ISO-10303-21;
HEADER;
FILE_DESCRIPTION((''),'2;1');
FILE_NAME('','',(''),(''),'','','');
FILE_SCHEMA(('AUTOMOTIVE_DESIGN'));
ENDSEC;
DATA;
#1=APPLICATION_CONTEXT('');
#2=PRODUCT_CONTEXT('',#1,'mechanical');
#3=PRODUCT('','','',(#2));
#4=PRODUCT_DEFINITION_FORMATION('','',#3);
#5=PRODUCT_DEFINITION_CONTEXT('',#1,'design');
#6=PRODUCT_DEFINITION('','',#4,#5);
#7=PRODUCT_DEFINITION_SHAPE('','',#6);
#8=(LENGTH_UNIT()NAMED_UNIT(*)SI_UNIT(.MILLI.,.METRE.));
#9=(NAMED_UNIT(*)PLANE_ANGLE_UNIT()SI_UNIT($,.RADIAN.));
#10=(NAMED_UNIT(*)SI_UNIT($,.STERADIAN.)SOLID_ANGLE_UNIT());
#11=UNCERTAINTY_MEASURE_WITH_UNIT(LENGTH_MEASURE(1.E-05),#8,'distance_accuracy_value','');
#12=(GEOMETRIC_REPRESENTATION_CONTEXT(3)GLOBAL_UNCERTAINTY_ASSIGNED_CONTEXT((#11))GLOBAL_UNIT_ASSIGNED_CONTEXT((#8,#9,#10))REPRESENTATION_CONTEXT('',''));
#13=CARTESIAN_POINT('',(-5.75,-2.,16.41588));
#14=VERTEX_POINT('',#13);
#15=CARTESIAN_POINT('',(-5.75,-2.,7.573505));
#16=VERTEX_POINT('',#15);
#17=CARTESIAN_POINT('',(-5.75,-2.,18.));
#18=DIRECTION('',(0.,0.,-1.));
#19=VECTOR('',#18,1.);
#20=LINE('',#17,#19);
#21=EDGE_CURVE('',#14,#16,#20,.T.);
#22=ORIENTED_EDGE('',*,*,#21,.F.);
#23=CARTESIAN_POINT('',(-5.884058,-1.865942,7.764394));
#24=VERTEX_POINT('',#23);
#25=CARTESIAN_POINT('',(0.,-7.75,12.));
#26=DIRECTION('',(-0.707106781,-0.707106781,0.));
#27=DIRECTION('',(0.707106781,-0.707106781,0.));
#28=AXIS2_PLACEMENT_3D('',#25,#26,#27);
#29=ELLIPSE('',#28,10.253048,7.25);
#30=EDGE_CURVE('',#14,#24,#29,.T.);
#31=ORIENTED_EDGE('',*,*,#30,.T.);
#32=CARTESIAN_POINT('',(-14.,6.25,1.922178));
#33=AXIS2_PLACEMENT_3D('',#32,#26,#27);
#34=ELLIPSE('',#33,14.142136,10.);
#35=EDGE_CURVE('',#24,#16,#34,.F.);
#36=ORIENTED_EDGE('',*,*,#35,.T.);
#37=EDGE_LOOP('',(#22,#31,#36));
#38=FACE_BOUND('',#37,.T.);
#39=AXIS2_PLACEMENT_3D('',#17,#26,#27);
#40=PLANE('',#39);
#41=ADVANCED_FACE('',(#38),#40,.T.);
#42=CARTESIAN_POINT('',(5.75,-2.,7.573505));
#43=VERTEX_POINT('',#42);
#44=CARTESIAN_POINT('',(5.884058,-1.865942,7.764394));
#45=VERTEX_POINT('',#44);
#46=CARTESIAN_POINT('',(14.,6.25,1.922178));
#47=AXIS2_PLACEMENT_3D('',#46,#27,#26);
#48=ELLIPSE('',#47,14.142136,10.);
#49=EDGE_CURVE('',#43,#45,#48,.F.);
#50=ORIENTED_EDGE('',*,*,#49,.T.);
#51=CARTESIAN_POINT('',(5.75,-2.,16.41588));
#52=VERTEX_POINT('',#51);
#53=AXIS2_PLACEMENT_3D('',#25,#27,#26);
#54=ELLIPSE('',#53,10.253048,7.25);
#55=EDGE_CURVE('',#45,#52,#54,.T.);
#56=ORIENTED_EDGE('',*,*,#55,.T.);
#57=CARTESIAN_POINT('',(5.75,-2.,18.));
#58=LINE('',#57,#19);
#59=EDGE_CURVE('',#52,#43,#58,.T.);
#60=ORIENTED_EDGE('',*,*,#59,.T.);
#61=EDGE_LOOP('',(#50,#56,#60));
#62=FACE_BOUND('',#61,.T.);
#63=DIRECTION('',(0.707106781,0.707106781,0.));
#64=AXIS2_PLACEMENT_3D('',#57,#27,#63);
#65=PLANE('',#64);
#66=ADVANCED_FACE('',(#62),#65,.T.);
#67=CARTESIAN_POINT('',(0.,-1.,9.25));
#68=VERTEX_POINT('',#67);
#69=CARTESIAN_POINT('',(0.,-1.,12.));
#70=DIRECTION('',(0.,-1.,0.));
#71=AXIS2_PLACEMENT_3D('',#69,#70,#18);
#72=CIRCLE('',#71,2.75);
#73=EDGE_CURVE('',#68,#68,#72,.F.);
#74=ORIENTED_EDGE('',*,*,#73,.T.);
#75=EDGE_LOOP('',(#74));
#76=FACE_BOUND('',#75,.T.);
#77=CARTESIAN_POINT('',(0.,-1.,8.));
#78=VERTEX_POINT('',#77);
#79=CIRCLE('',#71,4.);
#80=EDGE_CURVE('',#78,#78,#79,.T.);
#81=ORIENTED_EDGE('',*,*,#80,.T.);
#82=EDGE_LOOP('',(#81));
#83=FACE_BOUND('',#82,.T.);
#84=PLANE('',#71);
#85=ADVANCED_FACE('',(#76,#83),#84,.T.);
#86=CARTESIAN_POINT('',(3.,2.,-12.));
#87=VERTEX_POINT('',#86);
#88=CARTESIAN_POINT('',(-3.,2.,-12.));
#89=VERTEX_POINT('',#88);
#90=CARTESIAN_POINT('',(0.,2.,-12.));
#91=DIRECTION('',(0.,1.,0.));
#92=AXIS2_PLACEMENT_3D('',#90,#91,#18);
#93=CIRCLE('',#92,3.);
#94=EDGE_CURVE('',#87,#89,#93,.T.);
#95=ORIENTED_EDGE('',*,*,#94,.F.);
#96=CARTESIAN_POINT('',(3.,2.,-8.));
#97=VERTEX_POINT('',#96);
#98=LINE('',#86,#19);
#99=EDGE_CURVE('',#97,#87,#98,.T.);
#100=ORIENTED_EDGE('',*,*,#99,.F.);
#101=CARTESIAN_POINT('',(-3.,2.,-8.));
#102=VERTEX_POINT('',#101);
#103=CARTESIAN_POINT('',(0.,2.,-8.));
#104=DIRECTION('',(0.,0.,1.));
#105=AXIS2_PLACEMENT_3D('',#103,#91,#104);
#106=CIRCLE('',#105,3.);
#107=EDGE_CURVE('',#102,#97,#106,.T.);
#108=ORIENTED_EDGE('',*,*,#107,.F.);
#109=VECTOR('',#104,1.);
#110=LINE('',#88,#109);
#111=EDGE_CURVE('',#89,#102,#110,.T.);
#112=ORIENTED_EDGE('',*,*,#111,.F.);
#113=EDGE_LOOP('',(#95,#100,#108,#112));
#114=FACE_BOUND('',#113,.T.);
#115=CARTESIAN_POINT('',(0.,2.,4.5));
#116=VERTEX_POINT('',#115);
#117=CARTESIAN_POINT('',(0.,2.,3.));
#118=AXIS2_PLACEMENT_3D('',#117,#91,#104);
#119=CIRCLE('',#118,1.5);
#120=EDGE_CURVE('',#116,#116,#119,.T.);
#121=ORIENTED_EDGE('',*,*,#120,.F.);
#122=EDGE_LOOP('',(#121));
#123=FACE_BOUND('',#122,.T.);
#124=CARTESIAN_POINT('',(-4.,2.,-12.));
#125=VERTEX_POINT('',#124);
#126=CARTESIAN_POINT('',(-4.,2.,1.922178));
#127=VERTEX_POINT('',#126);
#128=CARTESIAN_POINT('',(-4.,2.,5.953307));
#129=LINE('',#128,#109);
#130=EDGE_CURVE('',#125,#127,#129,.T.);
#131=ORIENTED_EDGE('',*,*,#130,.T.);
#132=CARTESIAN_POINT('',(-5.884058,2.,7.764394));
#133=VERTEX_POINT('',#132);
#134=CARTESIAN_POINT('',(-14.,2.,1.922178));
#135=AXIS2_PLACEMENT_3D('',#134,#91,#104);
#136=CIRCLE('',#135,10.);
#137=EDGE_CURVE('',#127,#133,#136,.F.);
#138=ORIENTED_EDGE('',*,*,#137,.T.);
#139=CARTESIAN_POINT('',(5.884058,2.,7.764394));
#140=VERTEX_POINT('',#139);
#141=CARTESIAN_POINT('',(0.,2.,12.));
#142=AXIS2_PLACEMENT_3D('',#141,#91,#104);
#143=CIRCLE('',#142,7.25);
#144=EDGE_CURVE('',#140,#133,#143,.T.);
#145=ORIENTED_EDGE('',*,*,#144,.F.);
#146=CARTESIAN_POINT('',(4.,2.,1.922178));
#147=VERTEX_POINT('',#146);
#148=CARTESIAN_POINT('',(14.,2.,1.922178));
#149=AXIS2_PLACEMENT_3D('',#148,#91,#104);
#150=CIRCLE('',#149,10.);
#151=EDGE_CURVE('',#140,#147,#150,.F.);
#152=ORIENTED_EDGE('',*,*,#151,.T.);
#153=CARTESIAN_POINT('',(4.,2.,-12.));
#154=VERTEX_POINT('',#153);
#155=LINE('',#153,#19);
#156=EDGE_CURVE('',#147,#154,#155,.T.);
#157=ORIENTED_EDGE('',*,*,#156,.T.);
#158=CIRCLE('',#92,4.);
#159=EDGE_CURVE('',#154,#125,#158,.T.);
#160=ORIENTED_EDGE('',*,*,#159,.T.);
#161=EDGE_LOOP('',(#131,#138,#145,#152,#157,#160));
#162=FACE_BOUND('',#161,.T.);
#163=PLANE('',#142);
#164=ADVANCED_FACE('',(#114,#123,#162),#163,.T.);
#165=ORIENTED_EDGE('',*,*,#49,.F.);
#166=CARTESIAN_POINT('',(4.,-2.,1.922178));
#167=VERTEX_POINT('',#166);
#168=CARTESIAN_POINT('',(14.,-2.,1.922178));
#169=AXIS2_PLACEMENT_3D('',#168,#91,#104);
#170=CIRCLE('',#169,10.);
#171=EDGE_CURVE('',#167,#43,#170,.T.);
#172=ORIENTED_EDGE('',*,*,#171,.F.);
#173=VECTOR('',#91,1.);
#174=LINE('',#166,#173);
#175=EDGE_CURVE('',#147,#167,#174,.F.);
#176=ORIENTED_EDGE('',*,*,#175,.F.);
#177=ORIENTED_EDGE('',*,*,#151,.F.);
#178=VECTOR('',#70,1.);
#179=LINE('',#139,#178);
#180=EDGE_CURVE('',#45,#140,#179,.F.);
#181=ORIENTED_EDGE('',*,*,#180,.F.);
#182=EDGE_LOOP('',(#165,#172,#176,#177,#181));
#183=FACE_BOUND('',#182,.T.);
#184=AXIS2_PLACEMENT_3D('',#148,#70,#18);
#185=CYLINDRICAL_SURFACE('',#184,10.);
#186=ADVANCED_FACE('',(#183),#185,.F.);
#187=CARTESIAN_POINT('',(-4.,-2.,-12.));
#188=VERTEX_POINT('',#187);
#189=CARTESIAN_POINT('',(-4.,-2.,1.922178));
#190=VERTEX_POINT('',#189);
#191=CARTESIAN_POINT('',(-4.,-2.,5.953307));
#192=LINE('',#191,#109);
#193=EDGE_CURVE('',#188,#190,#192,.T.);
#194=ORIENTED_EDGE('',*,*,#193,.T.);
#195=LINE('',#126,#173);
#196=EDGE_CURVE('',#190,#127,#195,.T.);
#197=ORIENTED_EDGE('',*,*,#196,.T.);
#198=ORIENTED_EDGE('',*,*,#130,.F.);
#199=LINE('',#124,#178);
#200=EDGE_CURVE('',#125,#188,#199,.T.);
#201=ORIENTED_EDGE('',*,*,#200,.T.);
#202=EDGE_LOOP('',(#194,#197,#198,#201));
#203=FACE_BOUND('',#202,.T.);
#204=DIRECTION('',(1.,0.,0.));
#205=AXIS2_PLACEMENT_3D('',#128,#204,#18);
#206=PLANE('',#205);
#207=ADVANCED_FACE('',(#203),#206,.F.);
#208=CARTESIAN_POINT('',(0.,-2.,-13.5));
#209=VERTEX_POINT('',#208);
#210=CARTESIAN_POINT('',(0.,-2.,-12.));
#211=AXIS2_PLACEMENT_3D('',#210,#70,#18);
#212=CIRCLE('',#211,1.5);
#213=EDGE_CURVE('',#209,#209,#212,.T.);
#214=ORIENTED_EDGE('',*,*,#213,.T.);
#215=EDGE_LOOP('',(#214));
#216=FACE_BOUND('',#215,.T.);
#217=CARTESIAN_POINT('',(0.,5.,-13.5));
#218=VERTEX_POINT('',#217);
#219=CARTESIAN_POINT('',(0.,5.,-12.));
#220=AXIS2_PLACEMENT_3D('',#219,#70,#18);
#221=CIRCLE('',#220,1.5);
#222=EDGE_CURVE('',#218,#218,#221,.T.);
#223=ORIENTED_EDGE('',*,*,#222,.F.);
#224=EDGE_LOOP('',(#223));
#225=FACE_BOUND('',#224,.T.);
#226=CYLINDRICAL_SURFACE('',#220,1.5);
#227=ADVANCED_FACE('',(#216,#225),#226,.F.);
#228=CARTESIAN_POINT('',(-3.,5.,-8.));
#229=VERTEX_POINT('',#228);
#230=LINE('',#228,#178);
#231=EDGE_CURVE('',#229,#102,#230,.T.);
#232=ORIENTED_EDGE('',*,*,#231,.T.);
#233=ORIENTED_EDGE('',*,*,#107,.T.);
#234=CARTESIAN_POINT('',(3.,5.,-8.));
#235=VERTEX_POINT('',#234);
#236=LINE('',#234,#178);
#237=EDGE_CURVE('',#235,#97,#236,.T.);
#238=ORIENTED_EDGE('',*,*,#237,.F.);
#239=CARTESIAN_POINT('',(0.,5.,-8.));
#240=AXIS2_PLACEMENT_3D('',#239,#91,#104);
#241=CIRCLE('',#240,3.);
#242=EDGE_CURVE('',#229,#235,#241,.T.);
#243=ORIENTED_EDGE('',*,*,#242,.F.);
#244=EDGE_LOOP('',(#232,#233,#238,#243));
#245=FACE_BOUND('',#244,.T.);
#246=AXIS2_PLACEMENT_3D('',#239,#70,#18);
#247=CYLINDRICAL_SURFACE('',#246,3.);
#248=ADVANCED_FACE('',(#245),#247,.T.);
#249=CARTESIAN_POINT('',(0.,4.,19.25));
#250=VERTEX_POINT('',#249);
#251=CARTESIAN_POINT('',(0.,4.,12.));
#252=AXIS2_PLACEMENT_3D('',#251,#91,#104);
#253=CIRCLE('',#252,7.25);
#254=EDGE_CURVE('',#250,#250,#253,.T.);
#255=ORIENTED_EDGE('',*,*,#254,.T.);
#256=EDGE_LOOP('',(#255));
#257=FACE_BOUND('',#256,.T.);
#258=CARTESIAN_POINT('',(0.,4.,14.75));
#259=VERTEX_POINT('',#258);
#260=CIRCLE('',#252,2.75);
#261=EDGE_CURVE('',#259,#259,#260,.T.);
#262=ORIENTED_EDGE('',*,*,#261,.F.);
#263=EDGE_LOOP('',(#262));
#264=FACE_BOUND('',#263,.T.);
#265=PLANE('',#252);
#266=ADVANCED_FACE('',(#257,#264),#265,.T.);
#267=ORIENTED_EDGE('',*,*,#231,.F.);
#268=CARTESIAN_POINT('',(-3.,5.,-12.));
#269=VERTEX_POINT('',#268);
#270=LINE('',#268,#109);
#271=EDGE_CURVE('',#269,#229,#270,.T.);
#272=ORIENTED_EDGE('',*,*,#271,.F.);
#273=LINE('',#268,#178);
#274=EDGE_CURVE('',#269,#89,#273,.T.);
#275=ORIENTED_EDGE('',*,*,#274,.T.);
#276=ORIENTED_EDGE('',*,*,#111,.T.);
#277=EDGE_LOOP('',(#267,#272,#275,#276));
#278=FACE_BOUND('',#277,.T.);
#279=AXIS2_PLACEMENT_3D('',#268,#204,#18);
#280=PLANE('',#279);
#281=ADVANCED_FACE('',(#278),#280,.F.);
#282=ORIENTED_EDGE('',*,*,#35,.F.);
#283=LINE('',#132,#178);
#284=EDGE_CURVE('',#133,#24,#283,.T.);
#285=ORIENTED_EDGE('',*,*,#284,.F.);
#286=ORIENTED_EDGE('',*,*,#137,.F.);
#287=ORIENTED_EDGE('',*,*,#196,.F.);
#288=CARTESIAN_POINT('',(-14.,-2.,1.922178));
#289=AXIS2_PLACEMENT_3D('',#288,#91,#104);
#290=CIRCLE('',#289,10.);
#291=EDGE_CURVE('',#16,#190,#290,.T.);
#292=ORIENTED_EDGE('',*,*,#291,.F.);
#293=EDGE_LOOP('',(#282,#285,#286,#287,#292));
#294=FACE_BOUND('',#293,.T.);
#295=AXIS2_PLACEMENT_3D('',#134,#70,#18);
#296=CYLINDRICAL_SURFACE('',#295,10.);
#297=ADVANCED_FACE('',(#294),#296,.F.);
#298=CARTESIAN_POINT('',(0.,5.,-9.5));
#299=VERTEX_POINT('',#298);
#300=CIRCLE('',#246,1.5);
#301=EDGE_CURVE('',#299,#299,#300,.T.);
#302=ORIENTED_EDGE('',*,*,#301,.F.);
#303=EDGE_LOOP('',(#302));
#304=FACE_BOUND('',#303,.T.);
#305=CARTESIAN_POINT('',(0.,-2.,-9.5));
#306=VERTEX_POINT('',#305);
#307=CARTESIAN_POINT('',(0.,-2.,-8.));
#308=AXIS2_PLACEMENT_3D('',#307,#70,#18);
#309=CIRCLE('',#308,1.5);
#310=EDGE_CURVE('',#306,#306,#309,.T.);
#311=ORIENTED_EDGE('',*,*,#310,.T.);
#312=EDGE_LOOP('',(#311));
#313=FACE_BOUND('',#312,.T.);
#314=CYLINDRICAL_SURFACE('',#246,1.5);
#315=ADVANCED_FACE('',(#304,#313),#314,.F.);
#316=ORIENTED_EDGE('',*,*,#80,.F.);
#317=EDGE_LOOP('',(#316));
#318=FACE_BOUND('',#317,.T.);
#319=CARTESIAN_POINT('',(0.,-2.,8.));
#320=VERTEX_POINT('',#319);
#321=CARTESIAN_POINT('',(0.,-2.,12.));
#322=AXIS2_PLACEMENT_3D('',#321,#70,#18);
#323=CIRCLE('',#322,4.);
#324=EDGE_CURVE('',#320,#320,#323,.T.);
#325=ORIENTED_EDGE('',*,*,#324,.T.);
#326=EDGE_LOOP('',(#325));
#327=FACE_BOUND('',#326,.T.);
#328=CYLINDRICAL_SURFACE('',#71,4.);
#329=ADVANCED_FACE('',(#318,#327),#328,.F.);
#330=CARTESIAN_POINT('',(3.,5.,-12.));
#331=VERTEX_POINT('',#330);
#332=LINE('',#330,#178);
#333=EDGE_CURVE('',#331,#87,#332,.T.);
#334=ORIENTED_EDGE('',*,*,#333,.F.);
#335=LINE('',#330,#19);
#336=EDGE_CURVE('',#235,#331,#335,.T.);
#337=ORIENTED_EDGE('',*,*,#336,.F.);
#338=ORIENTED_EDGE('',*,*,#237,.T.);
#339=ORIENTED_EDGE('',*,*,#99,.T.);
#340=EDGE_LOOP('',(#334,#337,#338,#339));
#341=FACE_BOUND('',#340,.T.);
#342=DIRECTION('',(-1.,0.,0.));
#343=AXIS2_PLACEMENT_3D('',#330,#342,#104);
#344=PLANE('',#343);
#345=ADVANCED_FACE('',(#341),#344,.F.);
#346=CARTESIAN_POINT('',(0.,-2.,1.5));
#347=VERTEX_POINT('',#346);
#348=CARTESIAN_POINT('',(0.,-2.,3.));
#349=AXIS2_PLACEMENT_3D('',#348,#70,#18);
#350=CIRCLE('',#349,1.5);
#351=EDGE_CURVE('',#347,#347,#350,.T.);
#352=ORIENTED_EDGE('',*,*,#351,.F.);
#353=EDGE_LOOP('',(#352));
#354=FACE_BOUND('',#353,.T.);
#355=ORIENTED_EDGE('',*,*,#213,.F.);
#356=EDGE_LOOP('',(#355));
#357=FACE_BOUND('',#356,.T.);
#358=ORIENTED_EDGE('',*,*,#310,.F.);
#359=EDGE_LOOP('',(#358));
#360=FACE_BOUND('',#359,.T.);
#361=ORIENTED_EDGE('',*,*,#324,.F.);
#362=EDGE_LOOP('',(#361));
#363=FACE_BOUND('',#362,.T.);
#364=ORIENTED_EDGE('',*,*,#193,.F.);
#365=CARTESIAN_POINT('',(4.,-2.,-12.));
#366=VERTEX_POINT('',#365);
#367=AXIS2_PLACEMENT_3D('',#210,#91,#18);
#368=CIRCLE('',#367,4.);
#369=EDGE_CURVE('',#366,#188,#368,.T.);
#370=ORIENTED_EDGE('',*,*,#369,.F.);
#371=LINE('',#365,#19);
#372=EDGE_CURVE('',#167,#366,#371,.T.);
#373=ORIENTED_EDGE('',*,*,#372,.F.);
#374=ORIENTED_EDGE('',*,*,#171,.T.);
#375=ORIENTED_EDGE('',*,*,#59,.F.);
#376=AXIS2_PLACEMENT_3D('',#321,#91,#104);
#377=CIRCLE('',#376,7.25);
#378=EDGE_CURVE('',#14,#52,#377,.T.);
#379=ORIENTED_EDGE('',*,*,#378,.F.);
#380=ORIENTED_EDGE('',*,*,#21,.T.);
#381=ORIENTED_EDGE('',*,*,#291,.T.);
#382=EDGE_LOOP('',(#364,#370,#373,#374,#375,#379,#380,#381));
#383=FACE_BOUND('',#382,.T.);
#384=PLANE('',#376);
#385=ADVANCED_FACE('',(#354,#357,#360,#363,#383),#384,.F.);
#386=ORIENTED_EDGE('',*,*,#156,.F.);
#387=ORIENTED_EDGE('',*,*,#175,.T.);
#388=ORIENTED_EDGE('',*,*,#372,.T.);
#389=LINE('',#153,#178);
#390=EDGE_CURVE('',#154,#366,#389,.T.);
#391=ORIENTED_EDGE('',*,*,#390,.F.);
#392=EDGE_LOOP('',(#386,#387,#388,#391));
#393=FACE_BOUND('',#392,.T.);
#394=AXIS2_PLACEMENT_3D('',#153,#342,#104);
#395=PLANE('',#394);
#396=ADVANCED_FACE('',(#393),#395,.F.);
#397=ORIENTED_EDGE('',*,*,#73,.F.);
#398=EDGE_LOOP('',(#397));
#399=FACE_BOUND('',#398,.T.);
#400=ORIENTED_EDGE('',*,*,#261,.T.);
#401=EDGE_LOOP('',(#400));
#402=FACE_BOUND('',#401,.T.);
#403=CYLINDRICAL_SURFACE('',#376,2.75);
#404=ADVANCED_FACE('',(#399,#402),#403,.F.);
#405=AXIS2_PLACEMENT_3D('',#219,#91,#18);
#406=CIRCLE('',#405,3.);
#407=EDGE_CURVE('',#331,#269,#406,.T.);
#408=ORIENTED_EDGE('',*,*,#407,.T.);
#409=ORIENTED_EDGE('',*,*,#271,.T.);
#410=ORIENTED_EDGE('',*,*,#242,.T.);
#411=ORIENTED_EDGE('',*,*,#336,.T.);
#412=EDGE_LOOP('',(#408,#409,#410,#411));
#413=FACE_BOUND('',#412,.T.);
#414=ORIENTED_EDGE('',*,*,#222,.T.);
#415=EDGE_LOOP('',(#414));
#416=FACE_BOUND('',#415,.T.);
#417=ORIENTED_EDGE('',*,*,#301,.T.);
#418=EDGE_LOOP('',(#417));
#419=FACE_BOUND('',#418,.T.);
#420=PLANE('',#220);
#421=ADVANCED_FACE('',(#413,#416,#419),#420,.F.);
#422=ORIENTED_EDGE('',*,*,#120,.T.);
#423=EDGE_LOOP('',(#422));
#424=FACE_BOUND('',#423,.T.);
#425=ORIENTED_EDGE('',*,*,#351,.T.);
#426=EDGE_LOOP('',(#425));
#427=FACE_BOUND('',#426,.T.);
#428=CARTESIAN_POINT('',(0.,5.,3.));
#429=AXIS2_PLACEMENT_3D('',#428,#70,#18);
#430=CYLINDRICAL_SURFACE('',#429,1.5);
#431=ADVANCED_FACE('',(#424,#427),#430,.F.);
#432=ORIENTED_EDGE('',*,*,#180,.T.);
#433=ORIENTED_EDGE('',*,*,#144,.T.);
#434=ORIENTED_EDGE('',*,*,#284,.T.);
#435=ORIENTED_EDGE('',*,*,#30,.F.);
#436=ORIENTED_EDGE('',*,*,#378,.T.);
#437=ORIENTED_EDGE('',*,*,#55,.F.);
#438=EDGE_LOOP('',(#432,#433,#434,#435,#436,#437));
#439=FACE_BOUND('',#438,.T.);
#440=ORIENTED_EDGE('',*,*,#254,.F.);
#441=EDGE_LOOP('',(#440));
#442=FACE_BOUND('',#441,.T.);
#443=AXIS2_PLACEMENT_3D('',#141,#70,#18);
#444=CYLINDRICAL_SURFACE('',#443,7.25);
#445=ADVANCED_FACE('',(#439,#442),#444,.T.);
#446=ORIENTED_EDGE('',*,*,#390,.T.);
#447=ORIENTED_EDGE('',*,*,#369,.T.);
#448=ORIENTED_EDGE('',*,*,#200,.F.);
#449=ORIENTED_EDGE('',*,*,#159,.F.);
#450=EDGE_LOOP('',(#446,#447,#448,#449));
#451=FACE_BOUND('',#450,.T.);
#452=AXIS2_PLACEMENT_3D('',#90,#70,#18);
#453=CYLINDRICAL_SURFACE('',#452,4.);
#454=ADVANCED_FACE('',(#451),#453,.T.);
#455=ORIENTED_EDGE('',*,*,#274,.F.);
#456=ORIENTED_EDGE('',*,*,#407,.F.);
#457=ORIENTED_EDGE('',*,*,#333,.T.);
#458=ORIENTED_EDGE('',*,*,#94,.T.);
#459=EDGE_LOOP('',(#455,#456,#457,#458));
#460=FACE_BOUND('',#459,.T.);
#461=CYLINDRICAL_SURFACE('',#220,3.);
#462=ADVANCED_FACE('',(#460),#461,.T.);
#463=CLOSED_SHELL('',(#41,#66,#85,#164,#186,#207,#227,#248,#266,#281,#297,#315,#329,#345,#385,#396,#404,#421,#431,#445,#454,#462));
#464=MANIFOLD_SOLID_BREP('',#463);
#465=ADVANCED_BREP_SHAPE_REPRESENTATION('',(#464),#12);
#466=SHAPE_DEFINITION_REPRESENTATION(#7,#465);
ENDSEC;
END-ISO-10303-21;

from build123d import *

# Parameters (mm, degrees)
BOSS_EXTRUDE1_DEPTH = 2
BOSS_EXTRUDE2_START = 2
SKETCH2_R           = 7.25
BOSS_EXTRUDE2_DEPTH = 2
BOSS_EXTRUDE3_DEPTH = 3
SKETCH4_R           = 2.75
CUT_EXTRUDE1_DEPTH  = 22.427202337
SKETCH5_R           = 4
CUT_EXTRUDE2_DEPTH  = 1
SKETCH6_R           = 1.5
CUT_EXTRUDE3_DEPTH  = 22.728437588
FILLET1_R           = 10
CUT_EXTRUDE4_DEPTH  = 18


with BuildPart() as part:
    # Sketch1 → Boss-Extrude1 (new, symmetric)
    with BuildSketch(Plane(origin=(0, 0, 0), x_dir=(1, 0, 0), z_dir=(0, 1, 0))):
        with BuildLine():
            Line((-4, -5.953306689), (-4, 12))
            ThreePointArc((-4, 12), (0, 16), (4, 12))
            Line((4, 12), (4, -5.953306689))
            ThreePointArc((4, -5.953306689), (0, -19.25), (-4, -5.953306689))
        make_face()
    extrude(amount=BOSS_EXTRUDE1_DEPTH, both=True)

    # Sketch2 → Boss-Extrude2 (add)
    with BuildSketch(Plane(origin=(0, 2, 0), x_dir=(1, 0, 0), z_dir=(0, 1, 0)).offset(BOSS_EXTRUDE2_START)):
        with Locations(Location((0, -12, 0), (0, 0, 56.514623377))):
            Circle(SKETCH2_R)
    extrude(amount=-BOSS_EXTRUDE2_DEPTH)

    # Sketch3 → Boss-Extrude3 (add)
    with BuildSketch(Plane(origin=(0, 2, 0), x_dir=(1, 0, 0), z_dir=(0, 1, 0))):
        with BuildLine():
            Line((-3, 12), (-3, 8))
            ThreePointArc((-3, 8), (0, 5), (3, 8))
            Line((3, 8), (3, 12))
            ThreePointArc((3, 12), (0, 15), (-3, 12))
        make_face()
    extrude(amount=BOSS_EXTRUDE3_DEPTH)

    # Sketch4 → Cut-Extrude1 (cut, through all)
    with BuildSketch(Plane(origin=(0, 4, 0), x_dir=(1, 0, 0), z_dir=(0, 1, 0))):
        with Locations(Location((0, -12, 0), (0, 0, 270))):
            Circle(SKETCH4_R)
    extrude(amount=-CUT_EXTRUDE1_DEPTH, mode=Mode.SUBTRACT)

    # Sketch5 → Cut-Extrude2 (cut)
    with BuildSketch(Plane.XZ.offset(2)):
        with Locations(Location((0, 12, 0), (0, 0, 270))):
            Circle(SKETCH5_R)
    extrude(amount=-CUT_EXTRUDE2_DEPTH, mode=Mode.SUBTRACT)

    # Sketch6 → Cut-Extrude3 (cut, through all)
    with BuildSketch(Plane.XZ.offset(2)):
        with Locations(Location((0, -12, 0), (0, 0, 270))):
            Circle(SKETCH6_R)
        with Locations(Location((0, -8, 0), (0, 0, 270))):
            Circle(SKETCH6_R)
        with Locations(Location((0, 3, 0), (0, 0, 270))):
            Circle(SKETCH6_R)
    extrude(amount=-CUT_EXTRUDE3_DEPTH, mode=Mode.SUBTRACT)

    # Fillet1
    fillet1_edges = [part.edges().sort_by_distance(p)[0] for p in [
        (-4, 0, 5.953306689),
        (4, 0, 5.953306689),
    ]]
    fillet(fillet1_edges, radius=FILLET1_R)

    # Sketch7 → Cut-Extrude4 (cut)
    with BuildSketch(Plane.XY):
        Polygon((-7.25, -2), (-5.75, -2), (-7.25, -0.5), align=None)
        Polygon((7.25, -2), (5.75, -2), (7.25, -0.5), align=None)
    extrude(amount=CUT_EXTRUDE4_DEPTH, mode=Mode.SUBTRACT)


solid = part.part
